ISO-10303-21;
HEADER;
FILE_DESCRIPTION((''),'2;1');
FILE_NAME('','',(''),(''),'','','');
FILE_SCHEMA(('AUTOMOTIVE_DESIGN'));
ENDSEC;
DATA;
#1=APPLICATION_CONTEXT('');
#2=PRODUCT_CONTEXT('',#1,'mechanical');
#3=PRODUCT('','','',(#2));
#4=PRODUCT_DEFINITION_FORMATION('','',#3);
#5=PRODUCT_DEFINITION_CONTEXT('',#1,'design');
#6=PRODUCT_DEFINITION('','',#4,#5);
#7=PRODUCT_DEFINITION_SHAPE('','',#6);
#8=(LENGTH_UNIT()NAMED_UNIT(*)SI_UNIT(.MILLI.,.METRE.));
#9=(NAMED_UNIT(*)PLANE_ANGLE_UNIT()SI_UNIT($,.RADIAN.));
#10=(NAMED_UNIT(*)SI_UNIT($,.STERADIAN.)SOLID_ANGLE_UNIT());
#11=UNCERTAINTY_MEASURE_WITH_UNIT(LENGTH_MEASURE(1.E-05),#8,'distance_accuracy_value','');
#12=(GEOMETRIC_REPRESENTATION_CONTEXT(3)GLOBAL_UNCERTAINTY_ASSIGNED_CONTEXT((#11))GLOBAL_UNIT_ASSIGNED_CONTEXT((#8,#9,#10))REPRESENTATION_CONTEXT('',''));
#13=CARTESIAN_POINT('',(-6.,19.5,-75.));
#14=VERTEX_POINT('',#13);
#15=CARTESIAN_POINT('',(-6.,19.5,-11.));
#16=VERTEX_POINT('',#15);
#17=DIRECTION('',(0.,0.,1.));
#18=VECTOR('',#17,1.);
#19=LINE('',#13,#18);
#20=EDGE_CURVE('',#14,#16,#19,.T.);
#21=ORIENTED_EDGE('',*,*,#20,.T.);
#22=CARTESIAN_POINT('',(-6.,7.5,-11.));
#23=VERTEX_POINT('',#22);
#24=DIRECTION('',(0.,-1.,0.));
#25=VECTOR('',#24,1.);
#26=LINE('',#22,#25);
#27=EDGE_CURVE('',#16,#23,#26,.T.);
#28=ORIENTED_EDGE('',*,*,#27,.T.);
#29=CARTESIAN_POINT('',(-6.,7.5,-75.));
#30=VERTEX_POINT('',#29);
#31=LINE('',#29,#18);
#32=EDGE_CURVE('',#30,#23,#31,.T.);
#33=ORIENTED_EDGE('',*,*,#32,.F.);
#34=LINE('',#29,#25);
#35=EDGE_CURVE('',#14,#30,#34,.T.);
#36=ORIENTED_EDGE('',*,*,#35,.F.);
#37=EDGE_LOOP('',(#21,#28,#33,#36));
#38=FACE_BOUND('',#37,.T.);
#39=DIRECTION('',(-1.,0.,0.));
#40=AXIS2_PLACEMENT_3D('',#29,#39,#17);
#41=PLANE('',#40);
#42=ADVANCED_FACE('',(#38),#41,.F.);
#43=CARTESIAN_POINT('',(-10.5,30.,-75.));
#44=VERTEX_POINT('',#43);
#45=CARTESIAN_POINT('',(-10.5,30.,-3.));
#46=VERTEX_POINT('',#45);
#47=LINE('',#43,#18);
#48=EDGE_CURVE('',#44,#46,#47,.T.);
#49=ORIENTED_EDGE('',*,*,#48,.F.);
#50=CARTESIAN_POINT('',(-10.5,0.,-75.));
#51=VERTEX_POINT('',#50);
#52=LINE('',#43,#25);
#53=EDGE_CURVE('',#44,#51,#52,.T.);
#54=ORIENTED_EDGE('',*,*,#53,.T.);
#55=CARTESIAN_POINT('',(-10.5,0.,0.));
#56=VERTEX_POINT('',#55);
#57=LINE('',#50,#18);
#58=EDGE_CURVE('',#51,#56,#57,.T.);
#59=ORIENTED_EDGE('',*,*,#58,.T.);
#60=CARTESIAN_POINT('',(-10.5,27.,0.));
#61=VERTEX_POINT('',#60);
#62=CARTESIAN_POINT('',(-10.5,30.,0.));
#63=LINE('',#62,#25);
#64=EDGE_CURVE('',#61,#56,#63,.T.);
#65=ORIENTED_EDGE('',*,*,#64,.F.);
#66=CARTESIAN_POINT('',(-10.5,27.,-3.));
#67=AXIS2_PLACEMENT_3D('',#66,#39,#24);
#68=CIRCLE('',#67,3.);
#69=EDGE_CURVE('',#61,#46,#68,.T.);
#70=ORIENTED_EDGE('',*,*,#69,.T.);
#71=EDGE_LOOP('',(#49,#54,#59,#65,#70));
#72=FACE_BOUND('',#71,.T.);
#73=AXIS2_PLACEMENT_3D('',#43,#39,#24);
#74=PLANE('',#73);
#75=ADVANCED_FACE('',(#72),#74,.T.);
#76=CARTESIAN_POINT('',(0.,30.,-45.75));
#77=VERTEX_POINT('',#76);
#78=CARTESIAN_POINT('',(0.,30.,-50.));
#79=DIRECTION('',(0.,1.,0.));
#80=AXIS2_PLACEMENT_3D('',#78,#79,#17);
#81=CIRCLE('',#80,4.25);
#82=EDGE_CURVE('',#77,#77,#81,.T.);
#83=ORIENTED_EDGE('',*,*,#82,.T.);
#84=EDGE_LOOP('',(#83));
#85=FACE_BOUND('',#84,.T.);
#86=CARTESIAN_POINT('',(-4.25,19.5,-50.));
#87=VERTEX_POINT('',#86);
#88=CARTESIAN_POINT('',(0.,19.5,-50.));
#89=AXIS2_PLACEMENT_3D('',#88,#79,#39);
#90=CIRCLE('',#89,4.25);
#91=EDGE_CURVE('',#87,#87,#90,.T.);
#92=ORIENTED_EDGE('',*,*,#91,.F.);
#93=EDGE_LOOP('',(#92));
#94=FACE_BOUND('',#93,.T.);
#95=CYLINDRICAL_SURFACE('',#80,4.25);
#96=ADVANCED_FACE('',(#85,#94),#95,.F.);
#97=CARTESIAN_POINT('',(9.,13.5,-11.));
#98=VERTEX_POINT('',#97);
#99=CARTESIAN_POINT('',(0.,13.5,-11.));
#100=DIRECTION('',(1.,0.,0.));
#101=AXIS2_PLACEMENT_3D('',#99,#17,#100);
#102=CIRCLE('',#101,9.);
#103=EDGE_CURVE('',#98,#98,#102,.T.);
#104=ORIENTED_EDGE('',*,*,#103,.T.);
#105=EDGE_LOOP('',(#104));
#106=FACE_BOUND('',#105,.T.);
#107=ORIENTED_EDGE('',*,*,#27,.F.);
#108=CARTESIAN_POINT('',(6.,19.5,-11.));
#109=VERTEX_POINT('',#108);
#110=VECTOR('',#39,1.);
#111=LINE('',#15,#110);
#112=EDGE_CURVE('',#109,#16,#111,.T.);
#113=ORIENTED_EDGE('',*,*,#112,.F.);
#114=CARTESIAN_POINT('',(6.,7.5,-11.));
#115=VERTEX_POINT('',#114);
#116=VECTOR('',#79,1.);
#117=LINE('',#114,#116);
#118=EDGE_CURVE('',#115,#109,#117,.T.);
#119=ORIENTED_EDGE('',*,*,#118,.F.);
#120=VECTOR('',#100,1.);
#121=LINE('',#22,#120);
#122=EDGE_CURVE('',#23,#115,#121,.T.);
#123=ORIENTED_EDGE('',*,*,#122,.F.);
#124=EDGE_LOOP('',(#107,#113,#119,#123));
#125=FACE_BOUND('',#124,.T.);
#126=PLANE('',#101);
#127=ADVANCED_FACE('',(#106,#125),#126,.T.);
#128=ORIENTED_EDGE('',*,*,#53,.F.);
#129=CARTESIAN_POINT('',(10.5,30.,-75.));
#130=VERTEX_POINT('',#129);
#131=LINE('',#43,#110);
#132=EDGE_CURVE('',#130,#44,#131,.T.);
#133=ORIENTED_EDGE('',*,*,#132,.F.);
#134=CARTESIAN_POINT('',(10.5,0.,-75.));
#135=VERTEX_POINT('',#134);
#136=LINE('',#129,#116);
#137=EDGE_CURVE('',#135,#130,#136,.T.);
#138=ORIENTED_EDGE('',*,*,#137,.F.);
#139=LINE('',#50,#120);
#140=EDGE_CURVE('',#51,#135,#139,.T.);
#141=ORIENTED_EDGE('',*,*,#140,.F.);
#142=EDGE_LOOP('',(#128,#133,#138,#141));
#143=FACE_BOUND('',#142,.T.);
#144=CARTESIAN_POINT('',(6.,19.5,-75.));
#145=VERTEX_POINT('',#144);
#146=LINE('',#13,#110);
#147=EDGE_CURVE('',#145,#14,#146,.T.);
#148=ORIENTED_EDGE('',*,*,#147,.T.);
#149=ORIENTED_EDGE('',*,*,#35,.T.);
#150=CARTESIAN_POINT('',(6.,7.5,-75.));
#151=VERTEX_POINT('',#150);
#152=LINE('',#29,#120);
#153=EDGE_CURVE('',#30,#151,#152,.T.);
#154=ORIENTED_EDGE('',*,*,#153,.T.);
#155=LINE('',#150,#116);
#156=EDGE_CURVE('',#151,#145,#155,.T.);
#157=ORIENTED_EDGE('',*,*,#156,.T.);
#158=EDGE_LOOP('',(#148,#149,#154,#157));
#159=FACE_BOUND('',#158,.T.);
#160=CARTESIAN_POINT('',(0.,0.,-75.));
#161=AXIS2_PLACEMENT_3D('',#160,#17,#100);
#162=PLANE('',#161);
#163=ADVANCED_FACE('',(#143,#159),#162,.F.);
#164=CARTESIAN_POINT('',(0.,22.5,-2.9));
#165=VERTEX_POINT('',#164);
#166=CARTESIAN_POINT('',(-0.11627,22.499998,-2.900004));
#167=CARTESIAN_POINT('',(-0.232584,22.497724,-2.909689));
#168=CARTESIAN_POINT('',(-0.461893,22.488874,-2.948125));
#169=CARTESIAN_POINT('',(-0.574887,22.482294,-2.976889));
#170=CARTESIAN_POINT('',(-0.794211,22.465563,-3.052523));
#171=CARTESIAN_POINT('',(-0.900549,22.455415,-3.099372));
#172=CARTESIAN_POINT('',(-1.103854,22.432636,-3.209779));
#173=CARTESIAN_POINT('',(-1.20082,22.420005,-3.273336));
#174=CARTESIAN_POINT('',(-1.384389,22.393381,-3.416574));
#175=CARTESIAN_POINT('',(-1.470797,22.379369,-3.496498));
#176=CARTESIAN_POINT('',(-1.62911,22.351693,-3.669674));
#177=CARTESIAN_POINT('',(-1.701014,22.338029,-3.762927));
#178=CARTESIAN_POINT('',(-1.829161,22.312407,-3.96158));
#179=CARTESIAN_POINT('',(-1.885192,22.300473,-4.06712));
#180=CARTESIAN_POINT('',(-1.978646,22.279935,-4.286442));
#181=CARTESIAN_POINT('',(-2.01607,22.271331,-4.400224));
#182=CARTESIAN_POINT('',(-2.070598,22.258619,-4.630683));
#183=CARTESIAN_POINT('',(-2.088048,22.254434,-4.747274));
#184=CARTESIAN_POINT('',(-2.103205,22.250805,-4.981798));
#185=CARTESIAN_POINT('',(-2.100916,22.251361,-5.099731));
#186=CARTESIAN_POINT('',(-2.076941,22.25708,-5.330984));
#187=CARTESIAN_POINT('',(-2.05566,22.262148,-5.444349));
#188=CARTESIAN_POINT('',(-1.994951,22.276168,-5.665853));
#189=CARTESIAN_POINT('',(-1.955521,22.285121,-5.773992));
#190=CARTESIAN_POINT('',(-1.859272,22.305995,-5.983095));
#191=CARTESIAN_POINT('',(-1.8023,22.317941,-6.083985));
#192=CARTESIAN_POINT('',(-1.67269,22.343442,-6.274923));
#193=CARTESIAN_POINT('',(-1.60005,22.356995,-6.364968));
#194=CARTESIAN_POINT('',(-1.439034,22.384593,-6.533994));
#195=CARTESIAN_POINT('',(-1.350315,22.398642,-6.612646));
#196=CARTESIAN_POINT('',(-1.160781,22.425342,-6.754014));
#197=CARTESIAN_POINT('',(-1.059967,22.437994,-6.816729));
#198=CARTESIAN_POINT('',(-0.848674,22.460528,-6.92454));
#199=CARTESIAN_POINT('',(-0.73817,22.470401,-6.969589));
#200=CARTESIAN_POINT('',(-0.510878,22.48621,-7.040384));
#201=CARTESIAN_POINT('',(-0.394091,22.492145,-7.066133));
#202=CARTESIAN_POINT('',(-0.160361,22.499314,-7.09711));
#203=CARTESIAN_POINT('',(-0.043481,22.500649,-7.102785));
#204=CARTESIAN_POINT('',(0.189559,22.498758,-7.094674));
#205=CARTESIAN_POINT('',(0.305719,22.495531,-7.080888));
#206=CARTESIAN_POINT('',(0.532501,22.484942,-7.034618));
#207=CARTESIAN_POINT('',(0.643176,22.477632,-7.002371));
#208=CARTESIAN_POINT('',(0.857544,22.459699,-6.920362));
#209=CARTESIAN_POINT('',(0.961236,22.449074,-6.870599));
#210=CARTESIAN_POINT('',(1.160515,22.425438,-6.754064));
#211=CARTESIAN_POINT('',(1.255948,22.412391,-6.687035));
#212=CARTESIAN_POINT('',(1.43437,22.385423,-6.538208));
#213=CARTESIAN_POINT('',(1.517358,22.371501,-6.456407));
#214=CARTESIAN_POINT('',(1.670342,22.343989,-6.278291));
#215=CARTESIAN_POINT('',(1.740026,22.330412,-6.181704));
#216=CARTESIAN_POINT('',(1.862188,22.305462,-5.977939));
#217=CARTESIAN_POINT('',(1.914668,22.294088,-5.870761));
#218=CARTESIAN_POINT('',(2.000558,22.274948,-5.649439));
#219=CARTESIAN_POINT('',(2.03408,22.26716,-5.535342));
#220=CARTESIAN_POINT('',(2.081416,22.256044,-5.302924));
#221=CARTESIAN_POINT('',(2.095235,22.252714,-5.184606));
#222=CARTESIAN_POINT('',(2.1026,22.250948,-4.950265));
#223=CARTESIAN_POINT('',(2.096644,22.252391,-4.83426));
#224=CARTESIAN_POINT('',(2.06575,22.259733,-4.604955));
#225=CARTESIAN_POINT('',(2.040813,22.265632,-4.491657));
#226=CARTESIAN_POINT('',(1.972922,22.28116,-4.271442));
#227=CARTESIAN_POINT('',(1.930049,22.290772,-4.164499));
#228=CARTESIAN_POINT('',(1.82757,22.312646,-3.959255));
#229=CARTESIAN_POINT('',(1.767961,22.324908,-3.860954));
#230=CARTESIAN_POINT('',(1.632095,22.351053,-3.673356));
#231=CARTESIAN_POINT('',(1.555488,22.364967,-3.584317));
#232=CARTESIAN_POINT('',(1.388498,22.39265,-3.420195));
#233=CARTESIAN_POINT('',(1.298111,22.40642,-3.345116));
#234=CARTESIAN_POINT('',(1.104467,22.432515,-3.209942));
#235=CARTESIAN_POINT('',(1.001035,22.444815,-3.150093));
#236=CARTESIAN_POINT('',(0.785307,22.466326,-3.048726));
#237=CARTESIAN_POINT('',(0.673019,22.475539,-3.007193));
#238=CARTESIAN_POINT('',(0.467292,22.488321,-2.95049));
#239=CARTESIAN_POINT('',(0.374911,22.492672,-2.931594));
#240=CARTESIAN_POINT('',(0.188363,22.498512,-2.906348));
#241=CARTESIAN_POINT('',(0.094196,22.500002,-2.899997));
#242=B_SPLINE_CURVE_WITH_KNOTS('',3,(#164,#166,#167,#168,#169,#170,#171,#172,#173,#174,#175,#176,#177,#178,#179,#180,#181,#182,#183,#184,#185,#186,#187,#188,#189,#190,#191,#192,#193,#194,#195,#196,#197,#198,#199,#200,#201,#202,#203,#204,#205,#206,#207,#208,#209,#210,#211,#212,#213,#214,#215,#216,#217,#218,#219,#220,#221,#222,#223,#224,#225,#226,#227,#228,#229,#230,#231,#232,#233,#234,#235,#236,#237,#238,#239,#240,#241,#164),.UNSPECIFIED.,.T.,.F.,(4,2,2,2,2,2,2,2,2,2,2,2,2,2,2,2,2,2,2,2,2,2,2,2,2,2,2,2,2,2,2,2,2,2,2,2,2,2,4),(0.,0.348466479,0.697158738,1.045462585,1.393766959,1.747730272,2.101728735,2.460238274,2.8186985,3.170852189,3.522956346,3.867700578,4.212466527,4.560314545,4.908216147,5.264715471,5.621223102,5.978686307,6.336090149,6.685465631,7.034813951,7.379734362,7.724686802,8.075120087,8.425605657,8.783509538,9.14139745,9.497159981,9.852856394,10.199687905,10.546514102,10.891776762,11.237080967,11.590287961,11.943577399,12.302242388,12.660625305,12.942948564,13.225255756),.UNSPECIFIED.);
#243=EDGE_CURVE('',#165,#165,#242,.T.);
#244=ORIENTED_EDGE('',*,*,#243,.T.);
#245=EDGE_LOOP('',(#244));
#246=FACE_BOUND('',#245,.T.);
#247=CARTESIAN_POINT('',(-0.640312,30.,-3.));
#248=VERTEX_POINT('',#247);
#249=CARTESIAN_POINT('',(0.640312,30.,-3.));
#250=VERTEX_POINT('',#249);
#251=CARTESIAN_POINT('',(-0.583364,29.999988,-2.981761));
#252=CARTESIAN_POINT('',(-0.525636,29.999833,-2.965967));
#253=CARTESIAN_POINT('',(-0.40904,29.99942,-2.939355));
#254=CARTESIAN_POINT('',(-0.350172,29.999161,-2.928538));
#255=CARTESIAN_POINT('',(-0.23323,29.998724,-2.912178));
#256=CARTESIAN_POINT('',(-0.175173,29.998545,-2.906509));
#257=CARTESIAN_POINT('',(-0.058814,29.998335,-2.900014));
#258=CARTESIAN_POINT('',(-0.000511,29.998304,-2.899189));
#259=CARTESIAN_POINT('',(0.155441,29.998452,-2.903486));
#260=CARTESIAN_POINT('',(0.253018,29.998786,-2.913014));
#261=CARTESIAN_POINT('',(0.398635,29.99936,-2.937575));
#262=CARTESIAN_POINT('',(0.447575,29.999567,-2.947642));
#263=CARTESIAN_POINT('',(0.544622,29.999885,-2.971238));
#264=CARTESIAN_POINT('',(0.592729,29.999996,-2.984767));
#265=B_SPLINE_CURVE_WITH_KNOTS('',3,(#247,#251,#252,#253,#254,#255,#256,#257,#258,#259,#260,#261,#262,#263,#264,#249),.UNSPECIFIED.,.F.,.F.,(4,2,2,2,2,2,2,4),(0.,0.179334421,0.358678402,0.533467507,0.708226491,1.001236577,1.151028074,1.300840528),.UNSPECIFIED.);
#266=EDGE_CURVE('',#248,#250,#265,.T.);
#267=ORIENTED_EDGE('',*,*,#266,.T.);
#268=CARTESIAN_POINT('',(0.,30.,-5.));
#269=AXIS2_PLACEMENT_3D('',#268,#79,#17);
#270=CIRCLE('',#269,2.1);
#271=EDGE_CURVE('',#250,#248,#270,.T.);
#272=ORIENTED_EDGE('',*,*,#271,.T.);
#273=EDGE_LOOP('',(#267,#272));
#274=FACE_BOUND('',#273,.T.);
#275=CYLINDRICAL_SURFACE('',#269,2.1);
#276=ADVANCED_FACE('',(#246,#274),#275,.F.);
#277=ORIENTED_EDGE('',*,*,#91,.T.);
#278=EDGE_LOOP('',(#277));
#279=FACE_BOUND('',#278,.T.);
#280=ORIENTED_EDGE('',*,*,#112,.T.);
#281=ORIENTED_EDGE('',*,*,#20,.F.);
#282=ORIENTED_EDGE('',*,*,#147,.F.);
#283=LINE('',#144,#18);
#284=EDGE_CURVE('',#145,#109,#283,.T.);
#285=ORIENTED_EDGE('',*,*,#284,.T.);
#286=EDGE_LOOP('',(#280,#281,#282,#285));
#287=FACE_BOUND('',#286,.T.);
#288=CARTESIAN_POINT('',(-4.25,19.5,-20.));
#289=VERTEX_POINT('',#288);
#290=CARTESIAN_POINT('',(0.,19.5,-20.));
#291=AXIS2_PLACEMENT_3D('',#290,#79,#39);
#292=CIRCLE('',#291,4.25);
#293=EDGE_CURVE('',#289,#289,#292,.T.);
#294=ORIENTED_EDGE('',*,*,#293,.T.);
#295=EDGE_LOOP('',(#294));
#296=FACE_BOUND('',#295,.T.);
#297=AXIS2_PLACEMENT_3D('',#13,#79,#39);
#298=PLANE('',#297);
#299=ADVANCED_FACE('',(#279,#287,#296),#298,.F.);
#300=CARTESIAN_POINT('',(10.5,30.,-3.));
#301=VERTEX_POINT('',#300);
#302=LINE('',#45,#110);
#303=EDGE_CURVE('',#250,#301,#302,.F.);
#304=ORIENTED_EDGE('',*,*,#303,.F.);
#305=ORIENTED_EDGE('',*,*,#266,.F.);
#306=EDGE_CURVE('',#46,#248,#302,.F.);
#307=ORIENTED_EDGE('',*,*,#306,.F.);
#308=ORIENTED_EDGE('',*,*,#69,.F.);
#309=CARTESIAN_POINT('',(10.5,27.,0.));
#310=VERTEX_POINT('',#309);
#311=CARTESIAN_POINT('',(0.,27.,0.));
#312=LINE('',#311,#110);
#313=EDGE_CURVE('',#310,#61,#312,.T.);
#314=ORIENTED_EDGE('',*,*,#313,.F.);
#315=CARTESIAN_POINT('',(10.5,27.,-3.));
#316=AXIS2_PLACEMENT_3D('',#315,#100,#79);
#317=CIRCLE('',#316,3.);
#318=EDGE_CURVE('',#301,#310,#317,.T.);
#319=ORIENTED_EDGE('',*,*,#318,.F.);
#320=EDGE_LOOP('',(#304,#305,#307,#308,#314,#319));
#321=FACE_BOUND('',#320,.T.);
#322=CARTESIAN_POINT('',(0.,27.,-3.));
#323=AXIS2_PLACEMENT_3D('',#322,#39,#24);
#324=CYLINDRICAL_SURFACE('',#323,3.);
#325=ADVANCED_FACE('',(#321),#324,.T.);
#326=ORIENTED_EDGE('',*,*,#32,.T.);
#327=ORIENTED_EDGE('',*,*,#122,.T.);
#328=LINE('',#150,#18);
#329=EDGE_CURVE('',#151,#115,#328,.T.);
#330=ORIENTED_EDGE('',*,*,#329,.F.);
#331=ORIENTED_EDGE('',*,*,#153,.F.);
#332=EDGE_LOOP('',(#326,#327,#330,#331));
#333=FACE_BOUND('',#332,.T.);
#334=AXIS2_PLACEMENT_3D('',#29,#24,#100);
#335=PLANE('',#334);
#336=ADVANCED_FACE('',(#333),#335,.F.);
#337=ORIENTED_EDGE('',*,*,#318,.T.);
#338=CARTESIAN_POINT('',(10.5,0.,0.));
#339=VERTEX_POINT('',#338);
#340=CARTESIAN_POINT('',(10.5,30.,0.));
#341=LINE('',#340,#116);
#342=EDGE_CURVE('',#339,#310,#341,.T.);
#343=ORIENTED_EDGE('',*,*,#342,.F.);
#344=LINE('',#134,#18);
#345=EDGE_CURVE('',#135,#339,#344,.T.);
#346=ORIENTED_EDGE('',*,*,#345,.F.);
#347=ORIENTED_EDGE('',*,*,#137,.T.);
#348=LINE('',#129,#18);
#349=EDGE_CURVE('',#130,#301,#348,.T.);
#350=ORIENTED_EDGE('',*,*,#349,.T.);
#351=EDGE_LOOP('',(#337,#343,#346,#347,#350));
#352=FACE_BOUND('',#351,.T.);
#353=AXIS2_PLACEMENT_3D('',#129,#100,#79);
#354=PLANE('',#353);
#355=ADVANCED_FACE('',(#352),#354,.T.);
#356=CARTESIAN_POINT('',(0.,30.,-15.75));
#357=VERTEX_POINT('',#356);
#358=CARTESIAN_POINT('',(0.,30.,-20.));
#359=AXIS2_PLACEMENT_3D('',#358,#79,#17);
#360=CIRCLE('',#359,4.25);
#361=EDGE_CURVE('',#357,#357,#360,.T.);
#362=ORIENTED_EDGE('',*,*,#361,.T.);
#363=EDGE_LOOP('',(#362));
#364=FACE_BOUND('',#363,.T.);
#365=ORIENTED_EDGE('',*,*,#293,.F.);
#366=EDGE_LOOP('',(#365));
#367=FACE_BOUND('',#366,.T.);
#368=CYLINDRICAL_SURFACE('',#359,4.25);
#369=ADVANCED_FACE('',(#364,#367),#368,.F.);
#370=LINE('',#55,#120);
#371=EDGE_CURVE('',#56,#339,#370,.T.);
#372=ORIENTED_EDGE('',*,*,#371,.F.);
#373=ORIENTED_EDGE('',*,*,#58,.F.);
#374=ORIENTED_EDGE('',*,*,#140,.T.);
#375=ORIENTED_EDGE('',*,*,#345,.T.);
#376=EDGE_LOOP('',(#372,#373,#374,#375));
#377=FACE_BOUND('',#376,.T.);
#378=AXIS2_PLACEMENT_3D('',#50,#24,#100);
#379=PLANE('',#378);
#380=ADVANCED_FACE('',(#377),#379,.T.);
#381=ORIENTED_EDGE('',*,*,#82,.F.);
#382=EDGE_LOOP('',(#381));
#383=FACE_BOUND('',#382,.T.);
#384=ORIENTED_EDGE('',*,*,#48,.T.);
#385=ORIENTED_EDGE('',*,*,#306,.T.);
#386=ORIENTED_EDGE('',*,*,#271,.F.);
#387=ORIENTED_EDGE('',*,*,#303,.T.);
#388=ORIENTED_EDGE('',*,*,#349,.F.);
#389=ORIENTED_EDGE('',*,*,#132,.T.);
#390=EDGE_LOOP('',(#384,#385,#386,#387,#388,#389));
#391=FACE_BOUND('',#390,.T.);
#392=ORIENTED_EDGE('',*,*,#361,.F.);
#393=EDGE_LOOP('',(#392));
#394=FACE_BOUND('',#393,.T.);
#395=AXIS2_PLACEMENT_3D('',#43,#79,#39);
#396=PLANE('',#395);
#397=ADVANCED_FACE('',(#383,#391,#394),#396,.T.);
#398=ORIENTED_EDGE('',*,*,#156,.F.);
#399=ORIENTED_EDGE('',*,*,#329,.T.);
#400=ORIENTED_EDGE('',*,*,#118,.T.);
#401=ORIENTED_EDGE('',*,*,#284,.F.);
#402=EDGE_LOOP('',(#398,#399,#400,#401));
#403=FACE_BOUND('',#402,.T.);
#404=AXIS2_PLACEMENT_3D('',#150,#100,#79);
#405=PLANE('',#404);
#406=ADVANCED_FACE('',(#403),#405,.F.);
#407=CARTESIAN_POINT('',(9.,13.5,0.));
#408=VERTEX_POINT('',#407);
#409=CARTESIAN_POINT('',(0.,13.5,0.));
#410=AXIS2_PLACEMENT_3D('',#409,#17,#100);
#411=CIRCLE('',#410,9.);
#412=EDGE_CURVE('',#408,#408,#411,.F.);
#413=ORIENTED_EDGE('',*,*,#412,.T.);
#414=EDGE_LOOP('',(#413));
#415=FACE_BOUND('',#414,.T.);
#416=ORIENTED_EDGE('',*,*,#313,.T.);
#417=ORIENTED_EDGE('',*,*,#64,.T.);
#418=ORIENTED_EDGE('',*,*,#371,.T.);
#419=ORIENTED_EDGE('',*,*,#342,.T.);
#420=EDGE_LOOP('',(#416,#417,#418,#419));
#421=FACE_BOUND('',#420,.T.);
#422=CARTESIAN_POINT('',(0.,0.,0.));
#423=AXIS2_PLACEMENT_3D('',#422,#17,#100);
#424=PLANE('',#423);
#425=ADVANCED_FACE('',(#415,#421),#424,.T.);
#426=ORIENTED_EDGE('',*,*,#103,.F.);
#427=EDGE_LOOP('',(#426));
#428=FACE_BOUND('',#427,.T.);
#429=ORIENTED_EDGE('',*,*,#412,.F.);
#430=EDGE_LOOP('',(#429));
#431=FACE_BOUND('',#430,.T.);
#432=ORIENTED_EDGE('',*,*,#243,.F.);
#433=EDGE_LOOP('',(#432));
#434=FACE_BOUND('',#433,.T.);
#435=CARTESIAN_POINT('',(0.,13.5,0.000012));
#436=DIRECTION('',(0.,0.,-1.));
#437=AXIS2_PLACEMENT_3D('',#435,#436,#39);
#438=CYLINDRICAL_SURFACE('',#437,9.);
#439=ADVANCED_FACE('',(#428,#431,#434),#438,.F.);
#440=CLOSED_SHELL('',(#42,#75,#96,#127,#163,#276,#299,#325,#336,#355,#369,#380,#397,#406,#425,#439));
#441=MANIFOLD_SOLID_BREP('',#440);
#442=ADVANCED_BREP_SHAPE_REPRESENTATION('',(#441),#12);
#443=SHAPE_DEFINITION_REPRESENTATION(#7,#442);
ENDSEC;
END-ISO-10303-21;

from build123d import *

# Parameters (mm, degrees)
SKETCH_1_W               = 21
SKETCH_1_H               = 30
EXTRUDE_1_DEPTH          = 75
CUT_EXTRUDE_1_DEPTH      = 82.457043894
CUT_EXTRUDE_1_DEPTH_BACK = 11
SKETCH_2_R               = 9
SKETCH_3_W               = 12
SKETCH_3_H               = 12
CUT_EXTRUDE_2_DEPTH      = 72.45802964
FILLET_1_R               = 3
HOLE_WIZARD_M5_1_REACH   = 83.457
HOLE_WIZARD_M5_1_BORE_R  = 2.1
HOLE_WIZARD_M10_1_D      = 8.5
HOLE_WIZARD_M10_1_DEPTH  = 10.5


with BuildPart() as part:
    # 草图1 → 凸台-拉伸1 (new body)
    with BuildSketch(Plane.XY):
        with Locations((0, 15)):
            Rectangle(SKETCH_1_W, SKETCH_1_H)
    extrude(amount=-EXTRUDE_1_DEPTH)

    # 草图2 → 切除-拉伸1 (cut, two sides: drawn at the far end of the back side and taken through both)
    with BuildSketch(Plane.XY.offset(-CUT_EXTRUDE_1_DEPTH_BACK)):
        with Locations(Location((0, 13.5, 0), (0, 0, 180))):
            Circle(SKETCH_2_R)
    extrude(amount=CUT_EXTRUDE_1_DEPTH + CUT_EXTRUDE_1_DEPTH_BACK, mode=Mode.SUBTRACT)

    # 草图3 → 切除-拉伸2 (cut, through all)
    with BuildSketch(Plane.XY.offset(-11)):
        with Locations((0, 13.5)):
            Rectangle(SKETCH_3_W, SKETCH_3_H)
    extrude(amount=-CUT_EXTRUDE_2_DEPTH, mode=Mode.SUBTRACT)

    # 圆角1
    fillet_1_edges = [part.edges().sort_by_distance(p)[0] for p in [
        (0, 30, 0),
    ]]
    fillet(fillet_1_edges, radius=FILLET_1_R)

    # M5 螺纹孔1 bore → M5 螺纹孔1 (cut, up to next)
    with BuildSketch(Plane(origin=(0, 30, 0), x_dir=(1, 0, 0), z_dir=(0, 1, 0)), mode=Mode.PRIVATE) as hole_wizard_m5_1_sk1:
        with Locations((0, 5)):
            Circle(HOLE_WIZARD_M5_1_BORE_R)
    hole_wizard_m5_1_tool1 = extrude(hole_wizard_m5_1_sk1.sketch, amount=-HOLE_WIZARD_M5_1_REACH, mode=Mode.PRIVATE) & part.part
    add(hole_wizard_m5_1_tool1.solids().sort_by_distance((0, 30, -5))[0], mode=Mode.SUBTRACT)

    # M10 螺纹孔1
    with Locations(Plane(origin=(0, 30, 0), x_dir=(1, 0, 0), z_dir=(0, 1, 0))):
        with Locations((0, 20), (0, 50)):
            Hole(HOLE_WIZARD_M10_1_D / 2, depth=HOLE_WIZARD_M10_1_DEPTH)


solid = part.part
